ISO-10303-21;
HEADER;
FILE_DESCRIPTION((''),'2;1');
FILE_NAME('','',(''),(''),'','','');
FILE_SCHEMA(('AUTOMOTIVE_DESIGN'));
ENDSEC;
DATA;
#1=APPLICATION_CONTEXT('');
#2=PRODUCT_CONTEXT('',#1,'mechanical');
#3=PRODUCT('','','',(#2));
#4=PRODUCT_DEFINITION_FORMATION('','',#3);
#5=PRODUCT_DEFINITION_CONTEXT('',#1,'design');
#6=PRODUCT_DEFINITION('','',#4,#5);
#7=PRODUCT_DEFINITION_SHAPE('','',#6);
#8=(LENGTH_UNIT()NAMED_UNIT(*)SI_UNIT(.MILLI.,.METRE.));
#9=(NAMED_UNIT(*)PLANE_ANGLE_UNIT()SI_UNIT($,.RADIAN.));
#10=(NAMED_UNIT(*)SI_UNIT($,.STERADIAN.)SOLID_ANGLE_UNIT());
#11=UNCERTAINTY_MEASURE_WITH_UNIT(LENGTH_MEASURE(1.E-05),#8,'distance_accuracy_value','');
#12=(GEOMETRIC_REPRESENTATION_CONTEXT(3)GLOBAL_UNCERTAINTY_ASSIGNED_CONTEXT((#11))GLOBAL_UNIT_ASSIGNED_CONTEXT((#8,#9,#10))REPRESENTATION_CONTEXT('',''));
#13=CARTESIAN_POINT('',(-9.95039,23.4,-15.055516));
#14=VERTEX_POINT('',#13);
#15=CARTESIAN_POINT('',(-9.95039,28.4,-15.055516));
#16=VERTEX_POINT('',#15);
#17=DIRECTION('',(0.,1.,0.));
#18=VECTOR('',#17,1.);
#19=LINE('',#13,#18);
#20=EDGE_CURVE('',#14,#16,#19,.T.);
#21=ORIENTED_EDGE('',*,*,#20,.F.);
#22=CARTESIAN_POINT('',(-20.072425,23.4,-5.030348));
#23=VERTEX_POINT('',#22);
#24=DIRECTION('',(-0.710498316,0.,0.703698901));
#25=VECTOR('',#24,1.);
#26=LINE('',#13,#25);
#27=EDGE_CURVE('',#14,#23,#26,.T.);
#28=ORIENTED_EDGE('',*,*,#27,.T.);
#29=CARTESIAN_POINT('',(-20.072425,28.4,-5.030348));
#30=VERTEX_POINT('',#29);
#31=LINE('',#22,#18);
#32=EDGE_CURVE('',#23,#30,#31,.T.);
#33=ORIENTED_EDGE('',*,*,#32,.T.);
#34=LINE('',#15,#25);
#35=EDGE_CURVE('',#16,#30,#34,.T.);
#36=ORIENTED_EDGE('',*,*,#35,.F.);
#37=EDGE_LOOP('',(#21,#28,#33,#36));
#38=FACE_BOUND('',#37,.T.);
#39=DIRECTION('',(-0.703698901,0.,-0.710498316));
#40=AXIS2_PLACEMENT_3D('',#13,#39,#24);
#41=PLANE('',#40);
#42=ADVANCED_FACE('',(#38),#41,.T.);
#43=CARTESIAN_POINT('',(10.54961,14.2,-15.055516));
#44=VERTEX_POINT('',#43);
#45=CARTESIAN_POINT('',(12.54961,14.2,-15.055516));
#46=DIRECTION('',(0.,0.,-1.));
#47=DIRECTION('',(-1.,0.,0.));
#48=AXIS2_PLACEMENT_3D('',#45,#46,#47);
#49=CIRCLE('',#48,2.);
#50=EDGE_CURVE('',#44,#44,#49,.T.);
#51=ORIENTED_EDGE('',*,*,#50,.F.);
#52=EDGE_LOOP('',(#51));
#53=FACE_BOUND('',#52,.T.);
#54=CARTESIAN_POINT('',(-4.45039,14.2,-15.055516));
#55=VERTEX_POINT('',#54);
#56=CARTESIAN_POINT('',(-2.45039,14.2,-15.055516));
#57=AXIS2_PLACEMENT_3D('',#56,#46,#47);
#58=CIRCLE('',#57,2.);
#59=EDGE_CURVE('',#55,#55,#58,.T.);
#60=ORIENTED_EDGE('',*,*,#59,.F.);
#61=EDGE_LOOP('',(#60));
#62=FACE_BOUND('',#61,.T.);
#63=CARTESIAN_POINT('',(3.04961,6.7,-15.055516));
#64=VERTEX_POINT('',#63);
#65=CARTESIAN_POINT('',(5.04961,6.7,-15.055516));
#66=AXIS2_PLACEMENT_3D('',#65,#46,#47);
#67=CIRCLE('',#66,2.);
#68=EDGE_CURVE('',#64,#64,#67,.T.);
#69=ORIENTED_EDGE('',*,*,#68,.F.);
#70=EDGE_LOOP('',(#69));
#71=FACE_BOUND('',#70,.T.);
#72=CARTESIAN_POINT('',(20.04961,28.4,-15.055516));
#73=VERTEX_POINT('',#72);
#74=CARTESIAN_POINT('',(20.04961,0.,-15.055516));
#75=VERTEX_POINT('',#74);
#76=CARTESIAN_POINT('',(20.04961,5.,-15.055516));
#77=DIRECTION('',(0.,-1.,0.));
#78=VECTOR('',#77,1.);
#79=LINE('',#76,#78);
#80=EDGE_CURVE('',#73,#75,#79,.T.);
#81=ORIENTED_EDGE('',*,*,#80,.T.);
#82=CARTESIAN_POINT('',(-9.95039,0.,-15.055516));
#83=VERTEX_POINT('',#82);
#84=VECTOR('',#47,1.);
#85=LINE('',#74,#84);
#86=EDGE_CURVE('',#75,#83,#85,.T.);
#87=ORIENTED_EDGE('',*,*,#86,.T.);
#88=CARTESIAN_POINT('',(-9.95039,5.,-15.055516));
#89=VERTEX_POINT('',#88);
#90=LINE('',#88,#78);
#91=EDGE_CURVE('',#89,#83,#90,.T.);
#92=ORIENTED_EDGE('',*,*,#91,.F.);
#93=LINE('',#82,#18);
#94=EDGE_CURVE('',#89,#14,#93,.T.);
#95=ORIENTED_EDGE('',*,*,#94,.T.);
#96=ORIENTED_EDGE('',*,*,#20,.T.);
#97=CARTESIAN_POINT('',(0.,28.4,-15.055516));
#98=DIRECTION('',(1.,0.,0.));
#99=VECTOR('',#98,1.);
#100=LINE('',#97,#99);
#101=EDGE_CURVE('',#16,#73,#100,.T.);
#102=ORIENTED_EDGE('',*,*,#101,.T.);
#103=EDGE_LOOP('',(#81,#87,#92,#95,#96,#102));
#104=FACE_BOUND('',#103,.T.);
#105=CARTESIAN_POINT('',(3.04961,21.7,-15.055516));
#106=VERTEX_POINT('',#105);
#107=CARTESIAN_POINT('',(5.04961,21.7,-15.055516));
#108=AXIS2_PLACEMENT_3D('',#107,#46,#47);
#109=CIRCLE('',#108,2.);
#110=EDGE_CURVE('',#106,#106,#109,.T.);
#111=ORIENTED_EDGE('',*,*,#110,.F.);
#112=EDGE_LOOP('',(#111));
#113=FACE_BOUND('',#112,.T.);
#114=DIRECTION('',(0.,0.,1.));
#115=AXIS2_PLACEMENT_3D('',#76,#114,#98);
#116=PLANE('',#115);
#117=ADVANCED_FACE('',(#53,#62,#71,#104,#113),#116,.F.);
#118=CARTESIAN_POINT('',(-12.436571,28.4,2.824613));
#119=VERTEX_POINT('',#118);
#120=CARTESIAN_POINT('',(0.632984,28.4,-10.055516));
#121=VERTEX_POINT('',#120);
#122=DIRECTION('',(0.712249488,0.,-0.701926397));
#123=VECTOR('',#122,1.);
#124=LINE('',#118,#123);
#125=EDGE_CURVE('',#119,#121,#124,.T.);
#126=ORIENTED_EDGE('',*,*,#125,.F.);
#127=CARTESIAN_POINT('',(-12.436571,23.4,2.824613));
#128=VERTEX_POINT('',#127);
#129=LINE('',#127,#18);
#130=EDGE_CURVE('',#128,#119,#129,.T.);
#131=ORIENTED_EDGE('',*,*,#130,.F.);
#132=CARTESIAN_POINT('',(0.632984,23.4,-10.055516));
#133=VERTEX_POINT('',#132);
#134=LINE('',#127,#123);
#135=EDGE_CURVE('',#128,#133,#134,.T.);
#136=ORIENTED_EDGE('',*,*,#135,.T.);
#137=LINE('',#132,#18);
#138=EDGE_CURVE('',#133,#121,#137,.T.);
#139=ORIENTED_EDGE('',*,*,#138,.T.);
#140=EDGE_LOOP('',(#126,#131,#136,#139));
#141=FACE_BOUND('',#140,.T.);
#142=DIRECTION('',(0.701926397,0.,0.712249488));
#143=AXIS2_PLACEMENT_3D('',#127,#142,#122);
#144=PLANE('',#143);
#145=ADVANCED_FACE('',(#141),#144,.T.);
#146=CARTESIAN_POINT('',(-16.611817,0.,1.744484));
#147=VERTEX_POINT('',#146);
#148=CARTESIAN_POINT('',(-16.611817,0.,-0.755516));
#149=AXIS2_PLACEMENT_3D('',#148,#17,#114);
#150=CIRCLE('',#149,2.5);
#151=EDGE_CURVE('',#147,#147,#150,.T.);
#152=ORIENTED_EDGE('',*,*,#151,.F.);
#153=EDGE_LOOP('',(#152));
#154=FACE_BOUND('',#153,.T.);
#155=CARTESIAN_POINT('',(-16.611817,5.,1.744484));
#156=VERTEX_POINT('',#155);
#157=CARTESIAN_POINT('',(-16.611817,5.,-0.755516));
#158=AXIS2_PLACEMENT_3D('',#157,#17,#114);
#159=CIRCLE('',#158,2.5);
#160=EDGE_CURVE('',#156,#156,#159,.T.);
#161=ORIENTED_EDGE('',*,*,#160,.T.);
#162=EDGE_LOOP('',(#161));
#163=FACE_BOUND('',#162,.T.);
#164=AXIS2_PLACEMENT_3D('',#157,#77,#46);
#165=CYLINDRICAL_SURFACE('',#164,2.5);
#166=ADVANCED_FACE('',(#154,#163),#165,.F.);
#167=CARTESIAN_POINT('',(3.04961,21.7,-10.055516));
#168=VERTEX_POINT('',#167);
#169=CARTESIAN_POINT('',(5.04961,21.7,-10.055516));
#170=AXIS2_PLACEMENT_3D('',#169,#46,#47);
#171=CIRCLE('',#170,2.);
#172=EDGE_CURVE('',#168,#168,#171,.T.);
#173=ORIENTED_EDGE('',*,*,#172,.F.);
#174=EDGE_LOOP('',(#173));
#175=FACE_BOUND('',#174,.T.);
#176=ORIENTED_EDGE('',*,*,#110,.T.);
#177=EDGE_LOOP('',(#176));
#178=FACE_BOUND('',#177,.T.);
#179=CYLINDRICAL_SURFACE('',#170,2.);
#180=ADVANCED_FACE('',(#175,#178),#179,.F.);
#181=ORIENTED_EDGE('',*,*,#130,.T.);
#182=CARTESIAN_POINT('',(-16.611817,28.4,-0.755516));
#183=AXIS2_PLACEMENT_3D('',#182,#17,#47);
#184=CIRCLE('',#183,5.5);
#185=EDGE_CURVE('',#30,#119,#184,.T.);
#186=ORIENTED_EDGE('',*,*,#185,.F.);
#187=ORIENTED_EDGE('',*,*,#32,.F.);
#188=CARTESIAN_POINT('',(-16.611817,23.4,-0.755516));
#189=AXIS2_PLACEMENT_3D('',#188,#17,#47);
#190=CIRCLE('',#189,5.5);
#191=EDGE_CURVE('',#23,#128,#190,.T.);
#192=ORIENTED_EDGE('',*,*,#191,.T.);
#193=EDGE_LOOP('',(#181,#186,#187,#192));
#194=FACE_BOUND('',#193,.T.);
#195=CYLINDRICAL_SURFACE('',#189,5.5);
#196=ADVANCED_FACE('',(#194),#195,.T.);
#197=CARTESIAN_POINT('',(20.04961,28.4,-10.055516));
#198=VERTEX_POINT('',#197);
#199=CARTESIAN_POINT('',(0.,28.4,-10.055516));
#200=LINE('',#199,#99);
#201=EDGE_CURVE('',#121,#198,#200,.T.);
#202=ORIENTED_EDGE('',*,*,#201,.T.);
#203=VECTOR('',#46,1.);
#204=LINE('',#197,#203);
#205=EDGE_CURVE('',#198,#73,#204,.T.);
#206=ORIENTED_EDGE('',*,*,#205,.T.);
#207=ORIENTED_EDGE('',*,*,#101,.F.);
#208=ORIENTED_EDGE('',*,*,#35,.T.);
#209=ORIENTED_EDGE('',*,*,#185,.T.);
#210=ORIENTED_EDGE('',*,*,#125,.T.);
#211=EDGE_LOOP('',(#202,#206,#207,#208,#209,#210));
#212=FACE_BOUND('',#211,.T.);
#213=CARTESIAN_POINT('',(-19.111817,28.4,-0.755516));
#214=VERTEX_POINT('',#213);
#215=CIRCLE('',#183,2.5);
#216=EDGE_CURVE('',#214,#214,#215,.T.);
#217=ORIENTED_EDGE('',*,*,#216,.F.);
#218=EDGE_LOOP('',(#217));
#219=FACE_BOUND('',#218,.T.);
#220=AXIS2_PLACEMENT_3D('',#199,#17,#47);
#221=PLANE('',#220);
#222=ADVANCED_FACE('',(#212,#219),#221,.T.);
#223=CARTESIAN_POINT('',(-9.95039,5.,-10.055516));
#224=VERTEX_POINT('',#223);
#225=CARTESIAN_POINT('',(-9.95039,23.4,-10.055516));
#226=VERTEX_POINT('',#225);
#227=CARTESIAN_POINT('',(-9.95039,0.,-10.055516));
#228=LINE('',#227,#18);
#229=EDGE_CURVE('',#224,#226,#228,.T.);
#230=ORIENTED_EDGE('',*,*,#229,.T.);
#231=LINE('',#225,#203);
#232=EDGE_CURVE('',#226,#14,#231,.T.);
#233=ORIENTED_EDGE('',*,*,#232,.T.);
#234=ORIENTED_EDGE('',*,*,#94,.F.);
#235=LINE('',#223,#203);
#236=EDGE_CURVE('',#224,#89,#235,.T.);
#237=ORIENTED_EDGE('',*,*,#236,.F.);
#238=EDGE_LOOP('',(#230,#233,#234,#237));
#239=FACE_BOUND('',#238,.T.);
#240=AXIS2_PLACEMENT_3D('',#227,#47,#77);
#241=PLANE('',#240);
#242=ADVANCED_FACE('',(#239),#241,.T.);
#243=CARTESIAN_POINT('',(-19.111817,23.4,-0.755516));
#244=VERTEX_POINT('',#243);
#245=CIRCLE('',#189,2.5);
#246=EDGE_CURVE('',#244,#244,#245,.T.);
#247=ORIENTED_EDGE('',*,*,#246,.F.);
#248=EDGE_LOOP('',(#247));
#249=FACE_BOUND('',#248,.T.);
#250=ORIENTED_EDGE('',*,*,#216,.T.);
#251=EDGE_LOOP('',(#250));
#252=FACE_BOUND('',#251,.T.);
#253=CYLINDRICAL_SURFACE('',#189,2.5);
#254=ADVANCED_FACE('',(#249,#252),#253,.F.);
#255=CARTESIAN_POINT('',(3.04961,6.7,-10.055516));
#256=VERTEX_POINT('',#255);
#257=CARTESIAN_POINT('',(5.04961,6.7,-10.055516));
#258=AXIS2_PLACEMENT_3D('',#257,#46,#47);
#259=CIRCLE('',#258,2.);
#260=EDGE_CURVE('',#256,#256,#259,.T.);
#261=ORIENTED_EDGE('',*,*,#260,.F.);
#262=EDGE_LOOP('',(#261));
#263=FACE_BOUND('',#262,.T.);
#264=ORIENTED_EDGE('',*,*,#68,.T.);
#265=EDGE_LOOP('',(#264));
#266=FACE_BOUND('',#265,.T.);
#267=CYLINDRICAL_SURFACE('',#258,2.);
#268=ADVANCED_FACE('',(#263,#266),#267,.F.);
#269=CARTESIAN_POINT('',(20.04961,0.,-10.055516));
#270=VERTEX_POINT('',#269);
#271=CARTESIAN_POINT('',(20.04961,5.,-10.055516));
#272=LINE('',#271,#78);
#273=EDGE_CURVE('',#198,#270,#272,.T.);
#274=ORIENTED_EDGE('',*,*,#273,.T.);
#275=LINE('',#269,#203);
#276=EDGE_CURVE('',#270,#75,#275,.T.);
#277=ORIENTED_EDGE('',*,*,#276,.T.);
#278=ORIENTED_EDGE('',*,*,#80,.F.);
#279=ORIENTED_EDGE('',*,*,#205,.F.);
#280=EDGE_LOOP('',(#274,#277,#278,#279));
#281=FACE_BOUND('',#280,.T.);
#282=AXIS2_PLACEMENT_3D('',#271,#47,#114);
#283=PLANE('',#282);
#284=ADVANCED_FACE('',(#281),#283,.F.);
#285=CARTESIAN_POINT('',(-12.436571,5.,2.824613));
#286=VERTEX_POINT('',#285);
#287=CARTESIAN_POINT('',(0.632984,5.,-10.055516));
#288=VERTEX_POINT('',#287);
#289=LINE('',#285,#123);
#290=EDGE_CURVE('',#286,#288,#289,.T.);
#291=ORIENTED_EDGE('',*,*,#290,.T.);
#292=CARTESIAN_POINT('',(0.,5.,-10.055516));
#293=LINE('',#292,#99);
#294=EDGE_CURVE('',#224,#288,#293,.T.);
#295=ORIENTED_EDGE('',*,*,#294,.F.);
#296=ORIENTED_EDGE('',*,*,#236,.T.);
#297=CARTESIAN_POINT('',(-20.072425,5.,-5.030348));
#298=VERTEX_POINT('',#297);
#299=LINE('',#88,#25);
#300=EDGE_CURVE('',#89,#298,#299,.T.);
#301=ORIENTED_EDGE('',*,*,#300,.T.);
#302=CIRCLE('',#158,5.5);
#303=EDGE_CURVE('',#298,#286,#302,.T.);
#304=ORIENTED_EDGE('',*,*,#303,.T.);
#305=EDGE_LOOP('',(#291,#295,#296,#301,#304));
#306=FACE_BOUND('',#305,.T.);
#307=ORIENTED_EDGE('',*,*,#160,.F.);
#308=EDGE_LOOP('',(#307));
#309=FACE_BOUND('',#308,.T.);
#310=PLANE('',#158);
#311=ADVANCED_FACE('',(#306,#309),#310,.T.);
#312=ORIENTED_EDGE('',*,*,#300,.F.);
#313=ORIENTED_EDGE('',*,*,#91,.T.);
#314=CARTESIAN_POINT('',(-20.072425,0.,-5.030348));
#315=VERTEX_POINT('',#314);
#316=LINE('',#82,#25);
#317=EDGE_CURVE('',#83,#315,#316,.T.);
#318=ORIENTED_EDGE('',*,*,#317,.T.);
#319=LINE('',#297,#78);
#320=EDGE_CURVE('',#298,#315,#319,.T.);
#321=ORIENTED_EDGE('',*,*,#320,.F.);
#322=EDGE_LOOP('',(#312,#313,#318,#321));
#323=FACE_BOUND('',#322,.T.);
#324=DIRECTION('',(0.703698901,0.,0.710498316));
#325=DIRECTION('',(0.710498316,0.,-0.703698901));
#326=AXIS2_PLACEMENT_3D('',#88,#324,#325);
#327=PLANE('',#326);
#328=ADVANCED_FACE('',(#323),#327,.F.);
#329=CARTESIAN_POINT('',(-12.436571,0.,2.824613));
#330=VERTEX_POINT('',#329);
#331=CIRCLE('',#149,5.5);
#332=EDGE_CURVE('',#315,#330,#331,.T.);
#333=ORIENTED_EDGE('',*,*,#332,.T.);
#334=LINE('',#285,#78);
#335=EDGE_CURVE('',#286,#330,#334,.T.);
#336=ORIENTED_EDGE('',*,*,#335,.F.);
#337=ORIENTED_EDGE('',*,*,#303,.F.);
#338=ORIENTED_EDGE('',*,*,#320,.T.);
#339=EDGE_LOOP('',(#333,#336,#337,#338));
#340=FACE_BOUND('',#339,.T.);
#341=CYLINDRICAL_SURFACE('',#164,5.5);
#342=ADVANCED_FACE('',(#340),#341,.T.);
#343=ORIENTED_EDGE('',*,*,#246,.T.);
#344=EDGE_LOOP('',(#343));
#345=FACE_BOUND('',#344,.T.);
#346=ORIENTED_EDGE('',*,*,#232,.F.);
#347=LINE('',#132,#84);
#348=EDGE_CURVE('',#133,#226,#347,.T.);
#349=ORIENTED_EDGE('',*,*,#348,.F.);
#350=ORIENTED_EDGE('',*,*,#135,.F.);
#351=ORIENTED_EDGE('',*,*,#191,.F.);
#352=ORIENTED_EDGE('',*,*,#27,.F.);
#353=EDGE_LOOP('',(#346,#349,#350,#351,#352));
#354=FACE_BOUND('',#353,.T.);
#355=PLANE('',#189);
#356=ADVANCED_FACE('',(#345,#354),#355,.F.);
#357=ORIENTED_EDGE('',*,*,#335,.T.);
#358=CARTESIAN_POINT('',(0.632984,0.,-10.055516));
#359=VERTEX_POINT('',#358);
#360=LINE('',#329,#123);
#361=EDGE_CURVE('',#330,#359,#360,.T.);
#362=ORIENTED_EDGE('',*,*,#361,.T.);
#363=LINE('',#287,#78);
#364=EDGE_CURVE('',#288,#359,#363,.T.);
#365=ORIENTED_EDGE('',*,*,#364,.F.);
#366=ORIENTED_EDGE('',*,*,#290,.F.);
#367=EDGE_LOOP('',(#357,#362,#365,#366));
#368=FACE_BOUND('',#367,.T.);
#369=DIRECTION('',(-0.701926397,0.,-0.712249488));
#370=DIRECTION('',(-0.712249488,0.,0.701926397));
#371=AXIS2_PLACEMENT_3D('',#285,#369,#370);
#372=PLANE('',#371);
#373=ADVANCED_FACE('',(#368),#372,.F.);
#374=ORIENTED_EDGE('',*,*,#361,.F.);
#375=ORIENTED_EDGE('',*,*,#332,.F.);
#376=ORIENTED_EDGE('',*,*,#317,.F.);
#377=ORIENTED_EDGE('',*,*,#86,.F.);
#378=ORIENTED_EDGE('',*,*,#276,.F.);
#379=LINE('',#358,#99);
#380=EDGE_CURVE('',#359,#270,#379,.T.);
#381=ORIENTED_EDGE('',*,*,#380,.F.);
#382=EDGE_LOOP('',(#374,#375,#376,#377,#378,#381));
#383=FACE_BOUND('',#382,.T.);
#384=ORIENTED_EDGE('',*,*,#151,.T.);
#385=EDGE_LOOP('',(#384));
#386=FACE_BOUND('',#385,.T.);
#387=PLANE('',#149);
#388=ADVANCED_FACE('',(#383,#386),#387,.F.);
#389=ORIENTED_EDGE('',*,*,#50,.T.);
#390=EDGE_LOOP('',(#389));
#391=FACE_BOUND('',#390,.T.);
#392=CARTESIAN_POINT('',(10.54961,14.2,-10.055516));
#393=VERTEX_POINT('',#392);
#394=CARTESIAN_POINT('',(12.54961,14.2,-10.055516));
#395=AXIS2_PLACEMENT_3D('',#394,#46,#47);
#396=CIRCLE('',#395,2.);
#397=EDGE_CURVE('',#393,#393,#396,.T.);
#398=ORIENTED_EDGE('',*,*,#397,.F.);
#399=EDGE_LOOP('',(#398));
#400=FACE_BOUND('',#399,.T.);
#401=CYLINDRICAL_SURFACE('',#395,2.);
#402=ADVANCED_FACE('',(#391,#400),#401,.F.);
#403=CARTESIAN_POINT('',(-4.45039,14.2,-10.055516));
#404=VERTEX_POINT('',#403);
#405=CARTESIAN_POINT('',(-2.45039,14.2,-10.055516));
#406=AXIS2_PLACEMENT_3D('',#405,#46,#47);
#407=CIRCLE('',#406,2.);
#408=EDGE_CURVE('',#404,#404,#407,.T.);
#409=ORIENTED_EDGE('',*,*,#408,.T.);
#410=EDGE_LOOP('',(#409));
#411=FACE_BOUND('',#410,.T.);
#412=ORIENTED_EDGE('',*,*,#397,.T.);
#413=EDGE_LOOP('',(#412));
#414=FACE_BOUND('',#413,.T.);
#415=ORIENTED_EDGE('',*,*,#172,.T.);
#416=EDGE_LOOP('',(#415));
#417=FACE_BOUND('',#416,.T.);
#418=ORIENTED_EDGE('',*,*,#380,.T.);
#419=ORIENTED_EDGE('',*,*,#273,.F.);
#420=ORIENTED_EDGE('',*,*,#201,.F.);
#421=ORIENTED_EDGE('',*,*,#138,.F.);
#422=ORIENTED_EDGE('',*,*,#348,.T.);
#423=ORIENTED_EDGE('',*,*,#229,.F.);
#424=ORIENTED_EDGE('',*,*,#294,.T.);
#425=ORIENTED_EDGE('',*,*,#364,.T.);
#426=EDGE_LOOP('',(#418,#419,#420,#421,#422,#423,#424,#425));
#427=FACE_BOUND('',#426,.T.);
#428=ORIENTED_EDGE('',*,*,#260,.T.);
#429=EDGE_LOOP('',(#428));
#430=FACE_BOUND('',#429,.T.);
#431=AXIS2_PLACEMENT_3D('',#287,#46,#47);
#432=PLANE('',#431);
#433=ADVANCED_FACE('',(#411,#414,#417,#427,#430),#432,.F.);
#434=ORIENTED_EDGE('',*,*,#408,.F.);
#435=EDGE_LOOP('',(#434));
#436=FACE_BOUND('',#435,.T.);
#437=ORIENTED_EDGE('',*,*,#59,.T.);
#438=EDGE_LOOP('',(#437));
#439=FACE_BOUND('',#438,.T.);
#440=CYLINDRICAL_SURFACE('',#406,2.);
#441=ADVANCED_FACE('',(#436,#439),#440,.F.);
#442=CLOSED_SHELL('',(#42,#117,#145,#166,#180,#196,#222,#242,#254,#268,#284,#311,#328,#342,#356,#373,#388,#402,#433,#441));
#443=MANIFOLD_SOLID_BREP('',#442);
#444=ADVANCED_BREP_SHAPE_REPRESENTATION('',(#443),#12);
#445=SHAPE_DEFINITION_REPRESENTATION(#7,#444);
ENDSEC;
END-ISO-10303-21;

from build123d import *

# Parameters (mm, degrees)
SKETCH1_R           = 2.5
BOSS_EXTRUDE1_DEPTH = 5
SKETCH2_R           = 2
BOSS_EXTRUDE2_DEPTH = 5
CUT_EXTRUDE1_DEPTH  = 42.079586535
BOSS_EXTRUDE3_START = -5
SKETCH3_R           = 2.5
BOSS_EXTRUDE3_DEPTH = 5


with BuildPart() as part:
    # Sketch1 → Boss-Extrude1 (new body)
    with BuildSketch(Plane(origin=(0, 0, 0), x_dir=(1, 0, 0), z_dir=(0, 1, 0))):
        with BuildLine():
            Line((20.049610011, 15.055516278), (-9.950389989, 15.055516278))
            Line((-9.950389989, 15.055516278), (-20.072425289, 5.030348084))
            ThreePointArc((-20.072425289, 5.030348084), (-20.555517893, -3.078179001), (-12.436571265, -2.824613195))
            Line((-12.436571265, -2.824613195), (0.632983681, 10.055516278))
            Line((0.632983681, 10.055516278), (20.049610011, 10.055516278))
            Line((20.049610011, 10.055516278), (20.049610011, 15.055516278))
        make_face()
        with Locations((-16.611816522, 0.755516278)):
            Circle(SKETCH1_R, mode=Mode.SUBTRACT)
    extrude(amount=BOSS_EXTRUDE1_DEPTH)

    # Sketch2 → Boss-Extrude2 (add)
    with BuildSketch(Plane(origin=(0, 0, -15.055516278), x_dir=(-1, 0, 0), z_dir=(0, 0, -1))):
        with BuildLine():
            Line((9.950389989, 5), (9.950389989, 23.4))
            Line((9.950389989, 23.4), (9.950389989, 28.4))
            Line((9.950389989, 28.4), (-20.049610011, 28.4))
            Line((-20.049610011, 28.4), (-20.049610011, 5))
            Line((-20.049610011, 5), (-6.103175386, 5))
            ThreePointArc((-6.103175386, 5), (-6.022458727, 8.447445385), (-3.049610011, 6.7))
            ThreePointArc((-3.049610011, 6.7), (-3.302164625, 5.727151284), (-3.996044635, 5))
            Line((-3.996044635, 5), (9.950389989, 5))
        make_face()
        with Locations((-12.549610011, 14.2)):
            Circle(SKETCH2_R, mode=Mode.SUBTRACT)
        with Locations((-5.049610011, 21.7)):
            Circle(SKETCH2_R, mode=Mode.SUBTRACT)
        with Locations((2.450389989, 14.2)):
            Circle(SKETCH2_R, mode=Mode.SUBTRACT)
    extrude(amount=-BOSS_EXTRUDE2_DEPTH)

    # Sketch2<3> → Cut-Extrude1 (cut, through all)
    with BuildSketch(Plane(origin=(0, 0, -15.055516278), x_dir=(-1, 0, 0), z_dir=(0, 0, -1))):
        with BuildLine():
            ThreePointArc((-6.103175386, 5), (-5.049610011, 4.7), (-3.996044635, 5))
            Line((-3.996044635, 5), (-6.103175386, 5))
        make_face()
    extrude(amount=-CUT_EXTRUDE1_DEPTH, mode=Mode.SUBTRACT)

    # Sketch3 → Boss-Extrude3 (add)
    with BuildSketch(Plane(origin=(0, 28.4, 0), x_dir=(1, 0, 0), z_dir=(0, 1, 0)).offset(BOSS_EXTRUDE3_START)):
        with BuildLine():
            Line((-9.950389989, 10.055516278), (-9.950389989, 15.055516278))
            Line((-9.950389989, 15.055516278), (-20.072425289, 5.030348084))
            ThreePointArc((-20.072425289, 5.030348084), (-20.555517893, -3.078179001), (-12.436571265, -2.824613195))
            Line((-12.436571265, -2.824613195), (0.632983681, 10.055516278))
            Line((0.632983681, 10.055516278), (-9.950389989, 10.055516278))
        make_face()
        with Locations((-16.611816522, 0.755516278)):
            Circle(SKETCH3_R, mode=Mode.SUBTRACT)
    extrude(amount=BOSS_EXTRUDE3_DEPTH)


solid = part.part
